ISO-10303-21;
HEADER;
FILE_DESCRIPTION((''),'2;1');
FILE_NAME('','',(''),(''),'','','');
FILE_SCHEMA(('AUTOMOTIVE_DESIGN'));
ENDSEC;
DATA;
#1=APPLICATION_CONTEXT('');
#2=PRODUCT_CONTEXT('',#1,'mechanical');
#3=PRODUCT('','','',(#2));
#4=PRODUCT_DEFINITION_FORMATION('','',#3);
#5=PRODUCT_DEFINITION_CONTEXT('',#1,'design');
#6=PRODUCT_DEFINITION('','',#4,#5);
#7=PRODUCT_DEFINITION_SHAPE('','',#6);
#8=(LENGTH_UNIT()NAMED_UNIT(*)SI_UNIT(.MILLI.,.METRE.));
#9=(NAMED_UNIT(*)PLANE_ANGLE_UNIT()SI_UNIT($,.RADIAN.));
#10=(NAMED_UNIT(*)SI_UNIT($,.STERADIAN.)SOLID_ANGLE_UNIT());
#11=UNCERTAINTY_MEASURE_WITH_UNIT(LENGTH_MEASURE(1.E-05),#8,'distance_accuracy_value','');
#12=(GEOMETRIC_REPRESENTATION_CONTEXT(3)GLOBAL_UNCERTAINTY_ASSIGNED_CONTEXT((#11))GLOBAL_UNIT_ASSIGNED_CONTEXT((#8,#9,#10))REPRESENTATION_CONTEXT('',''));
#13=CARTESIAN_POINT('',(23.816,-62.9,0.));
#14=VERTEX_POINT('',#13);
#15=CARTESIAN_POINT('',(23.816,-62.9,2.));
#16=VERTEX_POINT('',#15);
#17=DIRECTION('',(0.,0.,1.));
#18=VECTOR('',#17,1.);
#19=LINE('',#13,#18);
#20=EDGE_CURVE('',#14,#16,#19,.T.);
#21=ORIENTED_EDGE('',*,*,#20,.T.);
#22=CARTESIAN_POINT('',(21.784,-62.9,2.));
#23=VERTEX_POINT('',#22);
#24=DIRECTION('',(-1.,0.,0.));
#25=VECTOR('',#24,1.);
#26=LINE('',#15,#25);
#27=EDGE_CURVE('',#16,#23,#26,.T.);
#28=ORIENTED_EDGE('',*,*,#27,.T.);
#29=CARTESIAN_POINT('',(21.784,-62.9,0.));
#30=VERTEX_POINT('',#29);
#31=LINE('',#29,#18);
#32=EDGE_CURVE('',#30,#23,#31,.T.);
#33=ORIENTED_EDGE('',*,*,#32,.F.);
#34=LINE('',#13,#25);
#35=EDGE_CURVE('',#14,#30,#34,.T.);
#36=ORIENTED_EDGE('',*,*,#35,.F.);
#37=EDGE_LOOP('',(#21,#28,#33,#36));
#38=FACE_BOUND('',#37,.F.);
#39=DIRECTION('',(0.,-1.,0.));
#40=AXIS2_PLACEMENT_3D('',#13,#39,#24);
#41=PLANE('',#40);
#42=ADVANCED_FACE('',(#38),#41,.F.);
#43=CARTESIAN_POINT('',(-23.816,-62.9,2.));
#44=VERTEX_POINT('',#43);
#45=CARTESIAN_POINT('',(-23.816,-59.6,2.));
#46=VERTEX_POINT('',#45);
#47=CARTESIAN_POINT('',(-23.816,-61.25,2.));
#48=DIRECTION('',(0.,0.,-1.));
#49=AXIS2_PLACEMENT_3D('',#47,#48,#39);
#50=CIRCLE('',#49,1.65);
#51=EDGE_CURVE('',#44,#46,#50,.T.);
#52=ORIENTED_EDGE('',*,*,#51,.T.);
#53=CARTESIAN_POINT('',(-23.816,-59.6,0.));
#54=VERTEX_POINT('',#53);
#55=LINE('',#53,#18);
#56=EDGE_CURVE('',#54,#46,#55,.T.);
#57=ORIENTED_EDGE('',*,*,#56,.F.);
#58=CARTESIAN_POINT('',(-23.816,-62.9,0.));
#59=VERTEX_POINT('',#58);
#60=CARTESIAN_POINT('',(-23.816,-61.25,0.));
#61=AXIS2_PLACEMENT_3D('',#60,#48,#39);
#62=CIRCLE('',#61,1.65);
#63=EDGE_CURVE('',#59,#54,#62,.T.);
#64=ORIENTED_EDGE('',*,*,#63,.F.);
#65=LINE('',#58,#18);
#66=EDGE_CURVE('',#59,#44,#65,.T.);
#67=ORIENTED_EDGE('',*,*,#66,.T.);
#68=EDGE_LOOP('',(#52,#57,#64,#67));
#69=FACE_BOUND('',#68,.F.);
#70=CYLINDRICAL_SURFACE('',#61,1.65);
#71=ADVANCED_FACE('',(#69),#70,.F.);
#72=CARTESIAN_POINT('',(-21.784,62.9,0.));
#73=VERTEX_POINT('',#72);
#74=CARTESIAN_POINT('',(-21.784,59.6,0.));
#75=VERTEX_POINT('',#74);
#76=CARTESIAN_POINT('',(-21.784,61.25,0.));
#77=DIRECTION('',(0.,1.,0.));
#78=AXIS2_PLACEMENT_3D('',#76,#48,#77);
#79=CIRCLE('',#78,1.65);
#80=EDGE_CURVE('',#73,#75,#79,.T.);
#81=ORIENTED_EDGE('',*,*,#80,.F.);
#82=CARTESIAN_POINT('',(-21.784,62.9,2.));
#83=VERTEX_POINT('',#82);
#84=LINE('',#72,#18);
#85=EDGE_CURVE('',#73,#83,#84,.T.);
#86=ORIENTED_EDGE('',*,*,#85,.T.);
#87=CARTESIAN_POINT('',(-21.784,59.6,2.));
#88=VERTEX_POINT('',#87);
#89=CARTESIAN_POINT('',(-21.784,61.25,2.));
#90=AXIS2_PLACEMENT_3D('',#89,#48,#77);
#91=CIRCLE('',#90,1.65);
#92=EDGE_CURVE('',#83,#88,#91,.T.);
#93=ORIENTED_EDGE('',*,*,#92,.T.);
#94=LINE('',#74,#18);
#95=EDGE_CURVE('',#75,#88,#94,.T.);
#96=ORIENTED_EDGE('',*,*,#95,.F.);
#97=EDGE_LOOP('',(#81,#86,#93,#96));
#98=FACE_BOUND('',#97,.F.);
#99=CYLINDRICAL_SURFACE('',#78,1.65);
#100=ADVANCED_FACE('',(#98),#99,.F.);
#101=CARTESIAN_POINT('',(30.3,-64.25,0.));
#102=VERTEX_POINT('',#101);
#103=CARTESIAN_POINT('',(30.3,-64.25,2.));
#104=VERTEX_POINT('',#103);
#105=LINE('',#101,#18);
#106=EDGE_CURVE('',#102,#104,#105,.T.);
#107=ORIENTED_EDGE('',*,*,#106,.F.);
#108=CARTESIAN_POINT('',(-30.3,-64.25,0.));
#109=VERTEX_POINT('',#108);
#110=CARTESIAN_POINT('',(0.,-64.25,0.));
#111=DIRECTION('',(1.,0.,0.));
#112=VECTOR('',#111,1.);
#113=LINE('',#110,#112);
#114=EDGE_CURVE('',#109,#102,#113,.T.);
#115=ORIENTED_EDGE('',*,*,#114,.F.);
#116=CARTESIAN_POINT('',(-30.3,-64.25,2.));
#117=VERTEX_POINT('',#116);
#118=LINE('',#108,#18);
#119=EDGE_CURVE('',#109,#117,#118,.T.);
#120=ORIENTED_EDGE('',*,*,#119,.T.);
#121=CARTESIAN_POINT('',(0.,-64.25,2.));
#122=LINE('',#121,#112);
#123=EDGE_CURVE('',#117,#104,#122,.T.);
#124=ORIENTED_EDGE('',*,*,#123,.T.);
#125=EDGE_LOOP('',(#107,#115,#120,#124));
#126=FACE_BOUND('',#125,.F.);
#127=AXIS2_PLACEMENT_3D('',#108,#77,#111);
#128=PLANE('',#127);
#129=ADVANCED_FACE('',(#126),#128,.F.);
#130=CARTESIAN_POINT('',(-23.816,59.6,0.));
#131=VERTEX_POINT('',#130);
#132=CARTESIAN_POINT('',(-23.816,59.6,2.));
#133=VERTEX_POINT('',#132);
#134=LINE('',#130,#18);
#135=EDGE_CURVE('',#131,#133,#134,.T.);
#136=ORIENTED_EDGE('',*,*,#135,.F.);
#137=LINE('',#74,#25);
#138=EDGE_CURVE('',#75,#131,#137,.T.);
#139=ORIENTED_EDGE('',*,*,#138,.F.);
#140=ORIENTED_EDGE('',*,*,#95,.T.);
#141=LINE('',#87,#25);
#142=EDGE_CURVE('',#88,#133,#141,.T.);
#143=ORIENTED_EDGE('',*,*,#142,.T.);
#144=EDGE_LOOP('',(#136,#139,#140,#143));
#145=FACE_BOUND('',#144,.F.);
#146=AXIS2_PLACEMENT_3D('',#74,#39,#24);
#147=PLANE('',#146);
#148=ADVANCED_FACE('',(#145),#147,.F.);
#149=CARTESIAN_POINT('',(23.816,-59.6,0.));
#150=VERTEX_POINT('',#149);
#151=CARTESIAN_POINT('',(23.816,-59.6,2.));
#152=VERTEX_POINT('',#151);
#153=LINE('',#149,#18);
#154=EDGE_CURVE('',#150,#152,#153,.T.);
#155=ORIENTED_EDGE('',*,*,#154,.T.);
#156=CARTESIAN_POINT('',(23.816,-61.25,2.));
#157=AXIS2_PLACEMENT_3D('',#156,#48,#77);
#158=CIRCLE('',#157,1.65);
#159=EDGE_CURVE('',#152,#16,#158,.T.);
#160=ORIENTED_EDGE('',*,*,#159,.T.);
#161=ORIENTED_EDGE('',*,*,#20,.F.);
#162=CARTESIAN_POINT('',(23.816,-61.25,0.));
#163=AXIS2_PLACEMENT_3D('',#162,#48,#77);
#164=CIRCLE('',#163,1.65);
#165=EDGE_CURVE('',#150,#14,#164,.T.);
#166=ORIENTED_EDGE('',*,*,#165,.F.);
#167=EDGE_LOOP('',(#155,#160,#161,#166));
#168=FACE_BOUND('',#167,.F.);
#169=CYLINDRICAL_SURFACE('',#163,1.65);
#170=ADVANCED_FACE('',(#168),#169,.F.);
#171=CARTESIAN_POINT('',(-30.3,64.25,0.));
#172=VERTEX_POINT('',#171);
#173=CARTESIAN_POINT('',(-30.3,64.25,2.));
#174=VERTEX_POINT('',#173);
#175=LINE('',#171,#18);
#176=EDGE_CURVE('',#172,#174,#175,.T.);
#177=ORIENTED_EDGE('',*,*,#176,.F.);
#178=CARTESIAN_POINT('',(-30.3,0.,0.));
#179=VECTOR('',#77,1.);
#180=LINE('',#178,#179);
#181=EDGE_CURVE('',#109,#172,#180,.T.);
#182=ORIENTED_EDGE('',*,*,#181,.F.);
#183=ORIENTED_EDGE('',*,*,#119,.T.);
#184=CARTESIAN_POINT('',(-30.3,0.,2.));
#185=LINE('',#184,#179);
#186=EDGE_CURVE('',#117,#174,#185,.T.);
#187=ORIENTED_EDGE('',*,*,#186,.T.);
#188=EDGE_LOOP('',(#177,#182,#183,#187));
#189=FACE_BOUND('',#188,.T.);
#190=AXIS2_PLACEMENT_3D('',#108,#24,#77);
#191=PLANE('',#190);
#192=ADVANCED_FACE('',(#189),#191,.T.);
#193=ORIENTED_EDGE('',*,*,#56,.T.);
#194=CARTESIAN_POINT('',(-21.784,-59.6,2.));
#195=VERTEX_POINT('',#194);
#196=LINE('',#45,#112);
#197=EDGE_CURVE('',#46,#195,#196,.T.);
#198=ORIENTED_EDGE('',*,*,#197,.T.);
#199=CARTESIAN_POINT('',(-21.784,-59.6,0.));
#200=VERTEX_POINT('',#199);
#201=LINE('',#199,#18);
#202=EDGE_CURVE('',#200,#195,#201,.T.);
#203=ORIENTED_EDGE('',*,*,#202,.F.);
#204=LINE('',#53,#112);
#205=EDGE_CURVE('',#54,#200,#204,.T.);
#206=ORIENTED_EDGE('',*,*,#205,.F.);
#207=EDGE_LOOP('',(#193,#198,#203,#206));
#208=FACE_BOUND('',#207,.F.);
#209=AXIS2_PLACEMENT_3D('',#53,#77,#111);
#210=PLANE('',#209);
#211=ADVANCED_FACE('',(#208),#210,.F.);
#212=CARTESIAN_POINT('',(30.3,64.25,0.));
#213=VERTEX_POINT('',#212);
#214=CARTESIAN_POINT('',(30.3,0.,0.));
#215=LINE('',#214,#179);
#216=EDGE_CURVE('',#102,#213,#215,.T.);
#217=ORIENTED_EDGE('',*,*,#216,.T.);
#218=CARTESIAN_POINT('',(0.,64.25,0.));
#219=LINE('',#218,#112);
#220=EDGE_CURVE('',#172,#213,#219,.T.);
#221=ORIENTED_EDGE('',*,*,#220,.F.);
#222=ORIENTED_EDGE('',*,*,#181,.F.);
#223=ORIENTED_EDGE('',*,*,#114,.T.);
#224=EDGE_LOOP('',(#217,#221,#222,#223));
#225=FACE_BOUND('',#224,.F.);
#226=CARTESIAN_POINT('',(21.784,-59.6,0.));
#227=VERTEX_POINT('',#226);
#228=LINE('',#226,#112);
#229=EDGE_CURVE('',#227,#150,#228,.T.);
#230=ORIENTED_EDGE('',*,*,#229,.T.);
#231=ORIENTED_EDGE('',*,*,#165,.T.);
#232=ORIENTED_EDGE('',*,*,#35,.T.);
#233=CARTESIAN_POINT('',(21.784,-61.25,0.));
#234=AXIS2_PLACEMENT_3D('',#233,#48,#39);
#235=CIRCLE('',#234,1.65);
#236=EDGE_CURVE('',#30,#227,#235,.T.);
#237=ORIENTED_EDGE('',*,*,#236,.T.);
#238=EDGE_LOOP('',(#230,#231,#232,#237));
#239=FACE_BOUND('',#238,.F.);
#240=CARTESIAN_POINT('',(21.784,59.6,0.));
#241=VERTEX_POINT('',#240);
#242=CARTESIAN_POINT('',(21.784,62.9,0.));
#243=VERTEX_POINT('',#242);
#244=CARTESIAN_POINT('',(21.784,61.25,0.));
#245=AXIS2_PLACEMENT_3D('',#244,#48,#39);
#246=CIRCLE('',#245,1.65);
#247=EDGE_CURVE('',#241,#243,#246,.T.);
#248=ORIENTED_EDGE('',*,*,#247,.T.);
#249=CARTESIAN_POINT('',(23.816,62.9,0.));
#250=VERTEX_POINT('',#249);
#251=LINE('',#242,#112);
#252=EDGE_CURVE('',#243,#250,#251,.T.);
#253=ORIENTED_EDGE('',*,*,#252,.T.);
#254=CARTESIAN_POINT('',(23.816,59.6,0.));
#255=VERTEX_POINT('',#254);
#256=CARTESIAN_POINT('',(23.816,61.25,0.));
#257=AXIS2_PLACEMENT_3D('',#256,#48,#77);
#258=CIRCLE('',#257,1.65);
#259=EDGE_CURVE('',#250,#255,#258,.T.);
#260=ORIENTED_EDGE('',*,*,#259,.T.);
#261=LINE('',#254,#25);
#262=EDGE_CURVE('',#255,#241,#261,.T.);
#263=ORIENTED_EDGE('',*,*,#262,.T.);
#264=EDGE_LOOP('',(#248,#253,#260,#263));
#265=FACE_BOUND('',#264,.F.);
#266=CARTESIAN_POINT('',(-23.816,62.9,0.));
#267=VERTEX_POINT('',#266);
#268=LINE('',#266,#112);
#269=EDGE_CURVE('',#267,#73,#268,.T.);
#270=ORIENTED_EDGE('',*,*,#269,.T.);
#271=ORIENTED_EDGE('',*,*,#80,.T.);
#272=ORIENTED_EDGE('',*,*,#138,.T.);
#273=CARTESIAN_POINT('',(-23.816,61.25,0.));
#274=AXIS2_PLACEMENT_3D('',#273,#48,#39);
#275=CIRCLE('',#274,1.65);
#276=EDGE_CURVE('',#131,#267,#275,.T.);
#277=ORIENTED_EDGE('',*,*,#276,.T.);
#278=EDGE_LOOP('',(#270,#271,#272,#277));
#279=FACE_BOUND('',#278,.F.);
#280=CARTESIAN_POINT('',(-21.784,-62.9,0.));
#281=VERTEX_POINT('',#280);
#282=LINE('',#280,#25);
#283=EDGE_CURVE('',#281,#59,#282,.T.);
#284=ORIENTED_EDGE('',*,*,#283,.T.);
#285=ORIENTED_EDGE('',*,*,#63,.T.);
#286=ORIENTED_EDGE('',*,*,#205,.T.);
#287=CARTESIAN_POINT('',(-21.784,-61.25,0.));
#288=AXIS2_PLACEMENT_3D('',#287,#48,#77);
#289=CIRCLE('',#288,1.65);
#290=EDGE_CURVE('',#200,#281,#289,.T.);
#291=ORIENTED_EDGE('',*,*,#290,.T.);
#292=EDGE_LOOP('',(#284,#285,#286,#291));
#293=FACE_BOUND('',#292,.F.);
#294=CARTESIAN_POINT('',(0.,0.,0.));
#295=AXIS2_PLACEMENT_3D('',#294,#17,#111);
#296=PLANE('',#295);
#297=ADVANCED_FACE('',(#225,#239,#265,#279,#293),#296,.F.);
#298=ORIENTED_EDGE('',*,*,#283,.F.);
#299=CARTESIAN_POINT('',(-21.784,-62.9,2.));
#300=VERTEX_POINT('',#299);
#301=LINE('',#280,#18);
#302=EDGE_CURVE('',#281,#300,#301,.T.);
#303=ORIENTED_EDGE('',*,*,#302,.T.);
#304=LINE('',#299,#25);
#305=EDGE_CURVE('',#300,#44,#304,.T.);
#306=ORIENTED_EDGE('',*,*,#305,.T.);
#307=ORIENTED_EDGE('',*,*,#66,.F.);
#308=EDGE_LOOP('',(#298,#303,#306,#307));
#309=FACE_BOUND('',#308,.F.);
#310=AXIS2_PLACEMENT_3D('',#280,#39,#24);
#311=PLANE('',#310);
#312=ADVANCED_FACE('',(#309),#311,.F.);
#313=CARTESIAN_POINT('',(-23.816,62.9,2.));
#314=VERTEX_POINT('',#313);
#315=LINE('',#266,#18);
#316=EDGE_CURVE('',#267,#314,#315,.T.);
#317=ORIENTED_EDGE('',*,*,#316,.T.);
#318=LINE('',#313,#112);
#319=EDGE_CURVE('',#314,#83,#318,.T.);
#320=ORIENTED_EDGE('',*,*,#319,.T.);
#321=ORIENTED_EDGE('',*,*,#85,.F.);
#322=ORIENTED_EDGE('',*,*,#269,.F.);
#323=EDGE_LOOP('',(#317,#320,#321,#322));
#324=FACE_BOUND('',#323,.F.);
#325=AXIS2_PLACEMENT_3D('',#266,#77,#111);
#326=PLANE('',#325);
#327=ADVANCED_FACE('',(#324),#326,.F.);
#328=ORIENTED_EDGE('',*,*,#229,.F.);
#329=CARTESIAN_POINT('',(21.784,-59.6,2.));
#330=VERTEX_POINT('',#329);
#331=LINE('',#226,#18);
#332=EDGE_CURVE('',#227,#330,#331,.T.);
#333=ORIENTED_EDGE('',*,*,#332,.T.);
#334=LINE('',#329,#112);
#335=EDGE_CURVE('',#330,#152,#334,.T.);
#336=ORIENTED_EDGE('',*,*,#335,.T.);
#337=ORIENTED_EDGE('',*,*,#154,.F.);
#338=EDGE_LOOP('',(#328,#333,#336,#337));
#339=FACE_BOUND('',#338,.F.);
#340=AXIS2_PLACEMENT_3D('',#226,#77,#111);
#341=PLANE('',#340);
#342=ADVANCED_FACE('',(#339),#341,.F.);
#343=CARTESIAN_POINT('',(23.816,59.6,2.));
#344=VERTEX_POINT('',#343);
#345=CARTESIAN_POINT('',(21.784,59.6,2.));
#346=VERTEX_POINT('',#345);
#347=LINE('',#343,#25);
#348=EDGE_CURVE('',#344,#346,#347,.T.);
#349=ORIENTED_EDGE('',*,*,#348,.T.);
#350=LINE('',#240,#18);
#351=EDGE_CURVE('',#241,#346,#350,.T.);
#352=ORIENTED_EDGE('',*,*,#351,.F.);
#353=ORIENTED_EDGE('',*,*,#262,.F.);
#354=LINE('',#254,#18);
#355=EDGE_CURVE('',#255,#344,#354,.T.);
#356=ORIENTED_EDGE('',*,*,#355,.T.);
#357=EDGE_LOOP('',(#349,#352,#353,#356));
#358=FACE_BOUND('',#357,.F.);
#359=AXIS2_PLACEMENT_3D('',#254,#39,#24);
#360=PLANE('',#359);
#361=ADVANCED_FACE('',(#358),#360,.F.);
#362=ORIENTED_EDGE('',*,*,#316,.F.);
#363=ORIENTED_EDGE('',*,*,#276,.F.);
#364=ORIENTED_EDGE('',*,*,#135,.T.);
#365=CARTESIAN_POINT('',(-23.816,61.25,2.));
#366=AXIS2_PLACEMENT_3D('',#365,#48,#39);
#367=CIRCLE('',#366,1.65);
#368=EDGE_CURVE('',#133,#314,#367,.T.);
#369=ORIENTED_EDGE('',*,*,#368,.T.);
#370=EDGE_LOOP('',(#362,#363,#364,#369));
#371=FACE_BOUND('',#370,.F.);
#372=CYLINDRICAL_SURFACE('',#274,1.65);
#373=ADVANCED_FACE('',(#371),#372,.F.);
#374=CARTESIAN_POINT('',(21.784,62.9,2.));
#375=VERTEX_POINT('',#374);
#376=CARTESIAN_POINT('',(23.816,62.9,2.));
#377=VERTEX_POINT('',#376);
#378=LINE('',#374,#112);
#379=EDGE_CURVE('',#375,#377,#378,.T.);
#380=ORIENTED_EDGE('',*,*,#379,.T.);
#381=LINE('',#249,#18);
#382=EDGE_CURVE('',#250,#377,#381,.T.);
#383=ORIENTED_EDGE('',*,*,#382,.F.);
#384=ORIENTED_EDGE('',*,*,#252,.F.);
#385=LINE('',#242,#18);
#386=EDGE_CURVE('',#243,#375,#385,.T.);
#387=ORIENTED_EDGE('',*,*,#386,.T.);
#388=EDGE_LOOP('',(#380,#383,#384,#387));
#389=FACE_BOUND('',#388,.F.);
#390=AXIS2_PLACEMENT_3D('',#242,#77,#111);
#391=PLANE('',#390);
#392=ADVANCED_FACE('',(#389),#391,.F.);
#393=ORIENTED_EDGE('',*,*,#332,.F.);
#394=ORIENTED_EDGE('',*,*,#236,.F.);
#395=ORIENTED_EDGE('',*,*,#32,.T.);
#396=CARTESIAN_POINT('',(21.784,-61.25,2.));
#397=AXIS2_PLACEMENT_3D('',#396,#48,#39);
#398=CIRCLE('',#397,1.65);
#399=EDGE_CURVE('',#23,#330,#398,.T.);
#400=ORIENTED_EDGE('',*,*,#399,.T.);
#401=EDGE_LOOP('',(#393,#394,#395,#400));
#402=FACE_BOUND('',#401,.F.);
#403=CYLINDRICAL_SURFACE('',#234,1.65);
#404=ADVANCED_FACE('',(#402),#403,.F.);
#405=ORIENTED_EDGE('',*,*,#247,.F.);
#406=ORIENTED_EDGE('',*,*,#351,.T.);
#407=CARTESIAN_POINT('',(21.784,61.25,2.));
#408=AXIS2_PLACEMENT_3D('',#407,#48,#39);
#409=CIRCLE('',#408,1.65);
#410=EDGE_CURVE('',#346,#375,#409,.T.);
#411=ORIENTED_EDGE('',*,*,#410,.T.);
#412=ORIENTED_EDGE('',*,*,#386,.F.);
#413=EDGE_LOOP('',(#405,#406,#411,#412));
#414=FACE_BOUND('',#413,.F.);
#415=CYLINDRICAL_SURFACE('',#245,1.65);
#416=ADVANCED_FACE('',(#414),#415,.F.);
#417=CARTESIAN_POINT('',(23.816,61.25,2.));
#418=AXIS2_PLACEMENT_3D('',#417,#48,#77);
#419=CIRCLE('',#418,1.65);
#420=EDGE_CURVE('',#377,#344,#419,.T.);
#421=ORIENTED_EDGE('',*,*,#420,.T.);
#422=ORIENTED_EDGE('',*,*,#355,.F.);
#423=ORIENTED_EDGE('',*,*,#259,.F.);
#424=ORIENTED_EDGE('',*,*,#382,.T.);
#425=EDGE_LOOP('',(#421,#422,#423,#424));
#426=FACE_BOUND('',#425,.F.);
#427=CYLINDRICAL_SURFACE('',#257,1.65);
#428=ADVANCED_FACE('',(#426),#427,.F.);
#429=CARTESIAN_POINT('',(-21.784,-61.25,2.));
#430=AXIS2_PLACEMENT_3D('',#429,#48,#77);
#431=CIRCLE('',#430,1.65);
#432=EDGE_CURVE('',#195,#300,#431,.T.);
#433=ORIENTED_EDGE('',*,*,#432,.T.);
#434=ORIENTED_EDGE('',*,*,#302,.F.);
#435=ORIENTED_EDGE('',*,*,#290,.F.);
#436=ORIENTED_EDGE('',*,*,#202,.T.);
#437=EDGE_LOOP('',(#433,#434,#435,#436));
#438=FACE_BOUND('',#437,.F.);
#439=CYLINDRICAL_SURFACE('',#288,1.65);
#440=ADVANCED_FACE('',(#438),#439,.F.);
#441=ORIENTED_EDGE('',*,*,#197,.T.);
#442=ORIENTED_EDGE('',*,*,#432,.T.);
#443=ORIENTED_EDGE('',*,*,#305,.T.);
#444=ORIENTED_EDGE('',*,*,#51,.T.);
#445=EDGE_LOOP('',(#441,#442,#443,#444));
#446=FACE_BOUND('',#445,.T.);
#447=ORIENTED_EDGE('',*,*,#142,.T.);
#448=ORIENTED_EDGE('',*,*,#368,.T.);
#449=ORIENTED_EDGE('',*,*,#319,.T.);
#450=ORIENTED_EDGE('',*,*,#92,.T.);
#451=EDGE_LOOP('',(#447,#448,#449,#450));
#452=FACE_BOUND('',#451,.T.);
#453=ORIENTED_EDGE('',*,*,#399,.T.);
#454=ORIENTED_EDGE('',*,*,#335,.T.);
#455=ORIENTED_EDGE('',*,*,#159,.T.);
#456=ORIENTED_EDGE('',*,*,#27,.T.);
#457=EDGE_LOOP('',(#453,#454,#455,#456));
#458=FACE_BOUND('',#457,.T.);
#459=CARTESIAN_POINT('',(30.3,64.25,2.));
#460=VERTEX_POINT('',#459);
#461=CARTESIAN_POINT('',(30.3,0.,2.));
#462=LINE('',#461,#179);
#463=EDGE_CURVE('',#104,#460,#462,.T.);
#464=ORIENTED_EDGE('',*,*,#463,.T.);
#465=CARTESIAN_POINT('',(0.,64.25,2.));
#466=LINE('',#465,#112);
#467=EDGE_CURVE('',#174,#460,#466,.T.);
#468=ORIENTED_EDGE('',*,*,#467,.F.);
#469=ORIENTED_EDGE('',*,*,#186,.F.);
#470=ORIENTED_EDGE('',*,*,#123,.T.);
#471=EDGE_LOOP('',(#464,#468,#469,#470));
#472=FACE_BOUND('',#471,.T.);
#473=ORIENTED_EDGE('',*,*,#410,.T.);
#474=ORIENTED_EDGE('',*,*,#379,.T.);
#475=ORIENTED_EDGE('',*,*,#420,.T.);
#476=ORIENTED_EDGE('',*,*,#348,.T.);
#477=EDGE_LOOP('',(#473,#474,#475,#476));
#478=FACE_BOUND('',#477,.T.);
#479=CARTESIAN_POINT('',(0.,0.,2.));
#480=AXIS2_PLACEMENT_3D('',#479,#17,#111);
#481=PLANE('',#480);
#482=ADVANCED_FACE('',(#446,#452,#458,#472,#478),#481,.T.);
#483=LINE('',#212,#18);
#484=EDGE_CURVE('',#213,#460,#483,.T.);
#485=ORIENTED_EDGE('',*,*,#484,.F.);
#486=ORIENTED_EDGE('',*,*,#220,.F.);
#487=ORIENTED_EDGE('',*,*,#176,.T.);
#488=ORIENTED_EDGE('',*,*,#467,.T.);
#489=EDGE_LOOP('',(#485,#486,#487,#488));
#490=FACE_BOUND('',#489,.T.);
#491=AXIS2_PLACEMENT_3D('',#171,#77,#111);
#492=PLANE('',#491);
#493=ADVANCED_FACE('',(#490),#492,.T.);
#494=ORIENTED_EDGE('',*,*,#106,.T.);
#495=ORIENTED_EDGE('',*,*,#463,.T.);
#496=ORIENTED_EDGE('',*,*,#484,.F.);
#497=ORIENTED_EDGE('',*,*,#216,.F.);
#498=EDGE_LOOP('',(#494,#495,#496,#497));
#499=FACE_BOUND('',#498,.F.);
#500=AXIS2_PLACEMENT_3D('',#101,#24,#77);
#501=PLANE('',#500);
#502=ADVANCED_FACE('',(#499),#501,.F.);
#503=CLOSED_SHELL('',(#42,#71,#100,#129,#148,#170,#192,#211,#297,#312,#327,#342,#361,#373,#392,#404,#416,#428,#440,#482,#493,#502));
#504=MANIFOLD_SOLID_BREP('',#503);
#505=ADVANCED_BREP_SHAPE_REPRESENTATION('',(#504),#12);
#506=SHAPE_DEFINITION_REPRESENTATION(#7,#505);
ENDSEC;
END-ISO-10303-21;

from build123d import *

# Parameters (mm, degrees)
SKETCH1_W           = 60.6
SKETCH1_H           = 128.5
BOSS_EXTRUDE1_DEPTH = 2


with BuildPart() as part:
    # Sketch1 → Boss-Extrude1 (new body)
    with BuildSketch(Plane.XY):
        Rectangle(SKETCH1_W, SKETCH1_H)
        with BuildLine():
            Line((-23.816, -59.6), (-21.784, -59.6))
            ThreePointArc((-21.784, -59.6), (-20.134, -61.25), (-21.784, -62.9))
            Line((-21.784, -62.9), (-23.816, -62.9))
            ThreePointArc((-23.816, -62.9), (-25.466, -61.25), (-23.816, -59.6))
        make_face(mode=Mode.SUBTRACT)
        with BuildLine():
            Line((-23.816, 62.9), (-21.784, 62.9))
            ThreePointArc((-21.784, 62.9), (-20.134, 61.25), (-21.784, 59.6))
            Line((-21.784, 59.6), (-23.816, 59.6))
            ThreePointArc((-23.816, 59.6), (-25.466, 61.25), (-23.816, 62.9))
        make_face(mode=Mode.SUBTRACT)
        with BuildLine():
            Line((21.784000014, 62.9), (23.816000014, 62.9))
            ThreePointArc((23.816000014, 62.9), (25.466000014, 61.25), (23.816000014, 59.6))
            Line((23.816000014, 59.6), (21.784000014, 59.6))
            ThreePointArc((21.784000014, 59.6), (20.134000014, 61.25), (21.784000014, 62.9))
        make_face(mode=Mode.SUBTRACT)
        with BuildLine():
            Line((21.784000014, -59.6), (23.816000014, -59.6))
            ThreePointArc((23.816000014, -59.6), (25.466000014, -61.25), (23.816000014, -62.9))
            Line((23.816000014, -62.9), (21.784000014, -62.9))
            ThreePointArc((21.784000014, -62.9), (20.134000014, -61.25), (21.784000014, -59.6))
        make_face(mode=Mode.SUBTRACT)
    extrude(amount=BOSS_EXTRUDE1_DEPTH)


solid = part.part
